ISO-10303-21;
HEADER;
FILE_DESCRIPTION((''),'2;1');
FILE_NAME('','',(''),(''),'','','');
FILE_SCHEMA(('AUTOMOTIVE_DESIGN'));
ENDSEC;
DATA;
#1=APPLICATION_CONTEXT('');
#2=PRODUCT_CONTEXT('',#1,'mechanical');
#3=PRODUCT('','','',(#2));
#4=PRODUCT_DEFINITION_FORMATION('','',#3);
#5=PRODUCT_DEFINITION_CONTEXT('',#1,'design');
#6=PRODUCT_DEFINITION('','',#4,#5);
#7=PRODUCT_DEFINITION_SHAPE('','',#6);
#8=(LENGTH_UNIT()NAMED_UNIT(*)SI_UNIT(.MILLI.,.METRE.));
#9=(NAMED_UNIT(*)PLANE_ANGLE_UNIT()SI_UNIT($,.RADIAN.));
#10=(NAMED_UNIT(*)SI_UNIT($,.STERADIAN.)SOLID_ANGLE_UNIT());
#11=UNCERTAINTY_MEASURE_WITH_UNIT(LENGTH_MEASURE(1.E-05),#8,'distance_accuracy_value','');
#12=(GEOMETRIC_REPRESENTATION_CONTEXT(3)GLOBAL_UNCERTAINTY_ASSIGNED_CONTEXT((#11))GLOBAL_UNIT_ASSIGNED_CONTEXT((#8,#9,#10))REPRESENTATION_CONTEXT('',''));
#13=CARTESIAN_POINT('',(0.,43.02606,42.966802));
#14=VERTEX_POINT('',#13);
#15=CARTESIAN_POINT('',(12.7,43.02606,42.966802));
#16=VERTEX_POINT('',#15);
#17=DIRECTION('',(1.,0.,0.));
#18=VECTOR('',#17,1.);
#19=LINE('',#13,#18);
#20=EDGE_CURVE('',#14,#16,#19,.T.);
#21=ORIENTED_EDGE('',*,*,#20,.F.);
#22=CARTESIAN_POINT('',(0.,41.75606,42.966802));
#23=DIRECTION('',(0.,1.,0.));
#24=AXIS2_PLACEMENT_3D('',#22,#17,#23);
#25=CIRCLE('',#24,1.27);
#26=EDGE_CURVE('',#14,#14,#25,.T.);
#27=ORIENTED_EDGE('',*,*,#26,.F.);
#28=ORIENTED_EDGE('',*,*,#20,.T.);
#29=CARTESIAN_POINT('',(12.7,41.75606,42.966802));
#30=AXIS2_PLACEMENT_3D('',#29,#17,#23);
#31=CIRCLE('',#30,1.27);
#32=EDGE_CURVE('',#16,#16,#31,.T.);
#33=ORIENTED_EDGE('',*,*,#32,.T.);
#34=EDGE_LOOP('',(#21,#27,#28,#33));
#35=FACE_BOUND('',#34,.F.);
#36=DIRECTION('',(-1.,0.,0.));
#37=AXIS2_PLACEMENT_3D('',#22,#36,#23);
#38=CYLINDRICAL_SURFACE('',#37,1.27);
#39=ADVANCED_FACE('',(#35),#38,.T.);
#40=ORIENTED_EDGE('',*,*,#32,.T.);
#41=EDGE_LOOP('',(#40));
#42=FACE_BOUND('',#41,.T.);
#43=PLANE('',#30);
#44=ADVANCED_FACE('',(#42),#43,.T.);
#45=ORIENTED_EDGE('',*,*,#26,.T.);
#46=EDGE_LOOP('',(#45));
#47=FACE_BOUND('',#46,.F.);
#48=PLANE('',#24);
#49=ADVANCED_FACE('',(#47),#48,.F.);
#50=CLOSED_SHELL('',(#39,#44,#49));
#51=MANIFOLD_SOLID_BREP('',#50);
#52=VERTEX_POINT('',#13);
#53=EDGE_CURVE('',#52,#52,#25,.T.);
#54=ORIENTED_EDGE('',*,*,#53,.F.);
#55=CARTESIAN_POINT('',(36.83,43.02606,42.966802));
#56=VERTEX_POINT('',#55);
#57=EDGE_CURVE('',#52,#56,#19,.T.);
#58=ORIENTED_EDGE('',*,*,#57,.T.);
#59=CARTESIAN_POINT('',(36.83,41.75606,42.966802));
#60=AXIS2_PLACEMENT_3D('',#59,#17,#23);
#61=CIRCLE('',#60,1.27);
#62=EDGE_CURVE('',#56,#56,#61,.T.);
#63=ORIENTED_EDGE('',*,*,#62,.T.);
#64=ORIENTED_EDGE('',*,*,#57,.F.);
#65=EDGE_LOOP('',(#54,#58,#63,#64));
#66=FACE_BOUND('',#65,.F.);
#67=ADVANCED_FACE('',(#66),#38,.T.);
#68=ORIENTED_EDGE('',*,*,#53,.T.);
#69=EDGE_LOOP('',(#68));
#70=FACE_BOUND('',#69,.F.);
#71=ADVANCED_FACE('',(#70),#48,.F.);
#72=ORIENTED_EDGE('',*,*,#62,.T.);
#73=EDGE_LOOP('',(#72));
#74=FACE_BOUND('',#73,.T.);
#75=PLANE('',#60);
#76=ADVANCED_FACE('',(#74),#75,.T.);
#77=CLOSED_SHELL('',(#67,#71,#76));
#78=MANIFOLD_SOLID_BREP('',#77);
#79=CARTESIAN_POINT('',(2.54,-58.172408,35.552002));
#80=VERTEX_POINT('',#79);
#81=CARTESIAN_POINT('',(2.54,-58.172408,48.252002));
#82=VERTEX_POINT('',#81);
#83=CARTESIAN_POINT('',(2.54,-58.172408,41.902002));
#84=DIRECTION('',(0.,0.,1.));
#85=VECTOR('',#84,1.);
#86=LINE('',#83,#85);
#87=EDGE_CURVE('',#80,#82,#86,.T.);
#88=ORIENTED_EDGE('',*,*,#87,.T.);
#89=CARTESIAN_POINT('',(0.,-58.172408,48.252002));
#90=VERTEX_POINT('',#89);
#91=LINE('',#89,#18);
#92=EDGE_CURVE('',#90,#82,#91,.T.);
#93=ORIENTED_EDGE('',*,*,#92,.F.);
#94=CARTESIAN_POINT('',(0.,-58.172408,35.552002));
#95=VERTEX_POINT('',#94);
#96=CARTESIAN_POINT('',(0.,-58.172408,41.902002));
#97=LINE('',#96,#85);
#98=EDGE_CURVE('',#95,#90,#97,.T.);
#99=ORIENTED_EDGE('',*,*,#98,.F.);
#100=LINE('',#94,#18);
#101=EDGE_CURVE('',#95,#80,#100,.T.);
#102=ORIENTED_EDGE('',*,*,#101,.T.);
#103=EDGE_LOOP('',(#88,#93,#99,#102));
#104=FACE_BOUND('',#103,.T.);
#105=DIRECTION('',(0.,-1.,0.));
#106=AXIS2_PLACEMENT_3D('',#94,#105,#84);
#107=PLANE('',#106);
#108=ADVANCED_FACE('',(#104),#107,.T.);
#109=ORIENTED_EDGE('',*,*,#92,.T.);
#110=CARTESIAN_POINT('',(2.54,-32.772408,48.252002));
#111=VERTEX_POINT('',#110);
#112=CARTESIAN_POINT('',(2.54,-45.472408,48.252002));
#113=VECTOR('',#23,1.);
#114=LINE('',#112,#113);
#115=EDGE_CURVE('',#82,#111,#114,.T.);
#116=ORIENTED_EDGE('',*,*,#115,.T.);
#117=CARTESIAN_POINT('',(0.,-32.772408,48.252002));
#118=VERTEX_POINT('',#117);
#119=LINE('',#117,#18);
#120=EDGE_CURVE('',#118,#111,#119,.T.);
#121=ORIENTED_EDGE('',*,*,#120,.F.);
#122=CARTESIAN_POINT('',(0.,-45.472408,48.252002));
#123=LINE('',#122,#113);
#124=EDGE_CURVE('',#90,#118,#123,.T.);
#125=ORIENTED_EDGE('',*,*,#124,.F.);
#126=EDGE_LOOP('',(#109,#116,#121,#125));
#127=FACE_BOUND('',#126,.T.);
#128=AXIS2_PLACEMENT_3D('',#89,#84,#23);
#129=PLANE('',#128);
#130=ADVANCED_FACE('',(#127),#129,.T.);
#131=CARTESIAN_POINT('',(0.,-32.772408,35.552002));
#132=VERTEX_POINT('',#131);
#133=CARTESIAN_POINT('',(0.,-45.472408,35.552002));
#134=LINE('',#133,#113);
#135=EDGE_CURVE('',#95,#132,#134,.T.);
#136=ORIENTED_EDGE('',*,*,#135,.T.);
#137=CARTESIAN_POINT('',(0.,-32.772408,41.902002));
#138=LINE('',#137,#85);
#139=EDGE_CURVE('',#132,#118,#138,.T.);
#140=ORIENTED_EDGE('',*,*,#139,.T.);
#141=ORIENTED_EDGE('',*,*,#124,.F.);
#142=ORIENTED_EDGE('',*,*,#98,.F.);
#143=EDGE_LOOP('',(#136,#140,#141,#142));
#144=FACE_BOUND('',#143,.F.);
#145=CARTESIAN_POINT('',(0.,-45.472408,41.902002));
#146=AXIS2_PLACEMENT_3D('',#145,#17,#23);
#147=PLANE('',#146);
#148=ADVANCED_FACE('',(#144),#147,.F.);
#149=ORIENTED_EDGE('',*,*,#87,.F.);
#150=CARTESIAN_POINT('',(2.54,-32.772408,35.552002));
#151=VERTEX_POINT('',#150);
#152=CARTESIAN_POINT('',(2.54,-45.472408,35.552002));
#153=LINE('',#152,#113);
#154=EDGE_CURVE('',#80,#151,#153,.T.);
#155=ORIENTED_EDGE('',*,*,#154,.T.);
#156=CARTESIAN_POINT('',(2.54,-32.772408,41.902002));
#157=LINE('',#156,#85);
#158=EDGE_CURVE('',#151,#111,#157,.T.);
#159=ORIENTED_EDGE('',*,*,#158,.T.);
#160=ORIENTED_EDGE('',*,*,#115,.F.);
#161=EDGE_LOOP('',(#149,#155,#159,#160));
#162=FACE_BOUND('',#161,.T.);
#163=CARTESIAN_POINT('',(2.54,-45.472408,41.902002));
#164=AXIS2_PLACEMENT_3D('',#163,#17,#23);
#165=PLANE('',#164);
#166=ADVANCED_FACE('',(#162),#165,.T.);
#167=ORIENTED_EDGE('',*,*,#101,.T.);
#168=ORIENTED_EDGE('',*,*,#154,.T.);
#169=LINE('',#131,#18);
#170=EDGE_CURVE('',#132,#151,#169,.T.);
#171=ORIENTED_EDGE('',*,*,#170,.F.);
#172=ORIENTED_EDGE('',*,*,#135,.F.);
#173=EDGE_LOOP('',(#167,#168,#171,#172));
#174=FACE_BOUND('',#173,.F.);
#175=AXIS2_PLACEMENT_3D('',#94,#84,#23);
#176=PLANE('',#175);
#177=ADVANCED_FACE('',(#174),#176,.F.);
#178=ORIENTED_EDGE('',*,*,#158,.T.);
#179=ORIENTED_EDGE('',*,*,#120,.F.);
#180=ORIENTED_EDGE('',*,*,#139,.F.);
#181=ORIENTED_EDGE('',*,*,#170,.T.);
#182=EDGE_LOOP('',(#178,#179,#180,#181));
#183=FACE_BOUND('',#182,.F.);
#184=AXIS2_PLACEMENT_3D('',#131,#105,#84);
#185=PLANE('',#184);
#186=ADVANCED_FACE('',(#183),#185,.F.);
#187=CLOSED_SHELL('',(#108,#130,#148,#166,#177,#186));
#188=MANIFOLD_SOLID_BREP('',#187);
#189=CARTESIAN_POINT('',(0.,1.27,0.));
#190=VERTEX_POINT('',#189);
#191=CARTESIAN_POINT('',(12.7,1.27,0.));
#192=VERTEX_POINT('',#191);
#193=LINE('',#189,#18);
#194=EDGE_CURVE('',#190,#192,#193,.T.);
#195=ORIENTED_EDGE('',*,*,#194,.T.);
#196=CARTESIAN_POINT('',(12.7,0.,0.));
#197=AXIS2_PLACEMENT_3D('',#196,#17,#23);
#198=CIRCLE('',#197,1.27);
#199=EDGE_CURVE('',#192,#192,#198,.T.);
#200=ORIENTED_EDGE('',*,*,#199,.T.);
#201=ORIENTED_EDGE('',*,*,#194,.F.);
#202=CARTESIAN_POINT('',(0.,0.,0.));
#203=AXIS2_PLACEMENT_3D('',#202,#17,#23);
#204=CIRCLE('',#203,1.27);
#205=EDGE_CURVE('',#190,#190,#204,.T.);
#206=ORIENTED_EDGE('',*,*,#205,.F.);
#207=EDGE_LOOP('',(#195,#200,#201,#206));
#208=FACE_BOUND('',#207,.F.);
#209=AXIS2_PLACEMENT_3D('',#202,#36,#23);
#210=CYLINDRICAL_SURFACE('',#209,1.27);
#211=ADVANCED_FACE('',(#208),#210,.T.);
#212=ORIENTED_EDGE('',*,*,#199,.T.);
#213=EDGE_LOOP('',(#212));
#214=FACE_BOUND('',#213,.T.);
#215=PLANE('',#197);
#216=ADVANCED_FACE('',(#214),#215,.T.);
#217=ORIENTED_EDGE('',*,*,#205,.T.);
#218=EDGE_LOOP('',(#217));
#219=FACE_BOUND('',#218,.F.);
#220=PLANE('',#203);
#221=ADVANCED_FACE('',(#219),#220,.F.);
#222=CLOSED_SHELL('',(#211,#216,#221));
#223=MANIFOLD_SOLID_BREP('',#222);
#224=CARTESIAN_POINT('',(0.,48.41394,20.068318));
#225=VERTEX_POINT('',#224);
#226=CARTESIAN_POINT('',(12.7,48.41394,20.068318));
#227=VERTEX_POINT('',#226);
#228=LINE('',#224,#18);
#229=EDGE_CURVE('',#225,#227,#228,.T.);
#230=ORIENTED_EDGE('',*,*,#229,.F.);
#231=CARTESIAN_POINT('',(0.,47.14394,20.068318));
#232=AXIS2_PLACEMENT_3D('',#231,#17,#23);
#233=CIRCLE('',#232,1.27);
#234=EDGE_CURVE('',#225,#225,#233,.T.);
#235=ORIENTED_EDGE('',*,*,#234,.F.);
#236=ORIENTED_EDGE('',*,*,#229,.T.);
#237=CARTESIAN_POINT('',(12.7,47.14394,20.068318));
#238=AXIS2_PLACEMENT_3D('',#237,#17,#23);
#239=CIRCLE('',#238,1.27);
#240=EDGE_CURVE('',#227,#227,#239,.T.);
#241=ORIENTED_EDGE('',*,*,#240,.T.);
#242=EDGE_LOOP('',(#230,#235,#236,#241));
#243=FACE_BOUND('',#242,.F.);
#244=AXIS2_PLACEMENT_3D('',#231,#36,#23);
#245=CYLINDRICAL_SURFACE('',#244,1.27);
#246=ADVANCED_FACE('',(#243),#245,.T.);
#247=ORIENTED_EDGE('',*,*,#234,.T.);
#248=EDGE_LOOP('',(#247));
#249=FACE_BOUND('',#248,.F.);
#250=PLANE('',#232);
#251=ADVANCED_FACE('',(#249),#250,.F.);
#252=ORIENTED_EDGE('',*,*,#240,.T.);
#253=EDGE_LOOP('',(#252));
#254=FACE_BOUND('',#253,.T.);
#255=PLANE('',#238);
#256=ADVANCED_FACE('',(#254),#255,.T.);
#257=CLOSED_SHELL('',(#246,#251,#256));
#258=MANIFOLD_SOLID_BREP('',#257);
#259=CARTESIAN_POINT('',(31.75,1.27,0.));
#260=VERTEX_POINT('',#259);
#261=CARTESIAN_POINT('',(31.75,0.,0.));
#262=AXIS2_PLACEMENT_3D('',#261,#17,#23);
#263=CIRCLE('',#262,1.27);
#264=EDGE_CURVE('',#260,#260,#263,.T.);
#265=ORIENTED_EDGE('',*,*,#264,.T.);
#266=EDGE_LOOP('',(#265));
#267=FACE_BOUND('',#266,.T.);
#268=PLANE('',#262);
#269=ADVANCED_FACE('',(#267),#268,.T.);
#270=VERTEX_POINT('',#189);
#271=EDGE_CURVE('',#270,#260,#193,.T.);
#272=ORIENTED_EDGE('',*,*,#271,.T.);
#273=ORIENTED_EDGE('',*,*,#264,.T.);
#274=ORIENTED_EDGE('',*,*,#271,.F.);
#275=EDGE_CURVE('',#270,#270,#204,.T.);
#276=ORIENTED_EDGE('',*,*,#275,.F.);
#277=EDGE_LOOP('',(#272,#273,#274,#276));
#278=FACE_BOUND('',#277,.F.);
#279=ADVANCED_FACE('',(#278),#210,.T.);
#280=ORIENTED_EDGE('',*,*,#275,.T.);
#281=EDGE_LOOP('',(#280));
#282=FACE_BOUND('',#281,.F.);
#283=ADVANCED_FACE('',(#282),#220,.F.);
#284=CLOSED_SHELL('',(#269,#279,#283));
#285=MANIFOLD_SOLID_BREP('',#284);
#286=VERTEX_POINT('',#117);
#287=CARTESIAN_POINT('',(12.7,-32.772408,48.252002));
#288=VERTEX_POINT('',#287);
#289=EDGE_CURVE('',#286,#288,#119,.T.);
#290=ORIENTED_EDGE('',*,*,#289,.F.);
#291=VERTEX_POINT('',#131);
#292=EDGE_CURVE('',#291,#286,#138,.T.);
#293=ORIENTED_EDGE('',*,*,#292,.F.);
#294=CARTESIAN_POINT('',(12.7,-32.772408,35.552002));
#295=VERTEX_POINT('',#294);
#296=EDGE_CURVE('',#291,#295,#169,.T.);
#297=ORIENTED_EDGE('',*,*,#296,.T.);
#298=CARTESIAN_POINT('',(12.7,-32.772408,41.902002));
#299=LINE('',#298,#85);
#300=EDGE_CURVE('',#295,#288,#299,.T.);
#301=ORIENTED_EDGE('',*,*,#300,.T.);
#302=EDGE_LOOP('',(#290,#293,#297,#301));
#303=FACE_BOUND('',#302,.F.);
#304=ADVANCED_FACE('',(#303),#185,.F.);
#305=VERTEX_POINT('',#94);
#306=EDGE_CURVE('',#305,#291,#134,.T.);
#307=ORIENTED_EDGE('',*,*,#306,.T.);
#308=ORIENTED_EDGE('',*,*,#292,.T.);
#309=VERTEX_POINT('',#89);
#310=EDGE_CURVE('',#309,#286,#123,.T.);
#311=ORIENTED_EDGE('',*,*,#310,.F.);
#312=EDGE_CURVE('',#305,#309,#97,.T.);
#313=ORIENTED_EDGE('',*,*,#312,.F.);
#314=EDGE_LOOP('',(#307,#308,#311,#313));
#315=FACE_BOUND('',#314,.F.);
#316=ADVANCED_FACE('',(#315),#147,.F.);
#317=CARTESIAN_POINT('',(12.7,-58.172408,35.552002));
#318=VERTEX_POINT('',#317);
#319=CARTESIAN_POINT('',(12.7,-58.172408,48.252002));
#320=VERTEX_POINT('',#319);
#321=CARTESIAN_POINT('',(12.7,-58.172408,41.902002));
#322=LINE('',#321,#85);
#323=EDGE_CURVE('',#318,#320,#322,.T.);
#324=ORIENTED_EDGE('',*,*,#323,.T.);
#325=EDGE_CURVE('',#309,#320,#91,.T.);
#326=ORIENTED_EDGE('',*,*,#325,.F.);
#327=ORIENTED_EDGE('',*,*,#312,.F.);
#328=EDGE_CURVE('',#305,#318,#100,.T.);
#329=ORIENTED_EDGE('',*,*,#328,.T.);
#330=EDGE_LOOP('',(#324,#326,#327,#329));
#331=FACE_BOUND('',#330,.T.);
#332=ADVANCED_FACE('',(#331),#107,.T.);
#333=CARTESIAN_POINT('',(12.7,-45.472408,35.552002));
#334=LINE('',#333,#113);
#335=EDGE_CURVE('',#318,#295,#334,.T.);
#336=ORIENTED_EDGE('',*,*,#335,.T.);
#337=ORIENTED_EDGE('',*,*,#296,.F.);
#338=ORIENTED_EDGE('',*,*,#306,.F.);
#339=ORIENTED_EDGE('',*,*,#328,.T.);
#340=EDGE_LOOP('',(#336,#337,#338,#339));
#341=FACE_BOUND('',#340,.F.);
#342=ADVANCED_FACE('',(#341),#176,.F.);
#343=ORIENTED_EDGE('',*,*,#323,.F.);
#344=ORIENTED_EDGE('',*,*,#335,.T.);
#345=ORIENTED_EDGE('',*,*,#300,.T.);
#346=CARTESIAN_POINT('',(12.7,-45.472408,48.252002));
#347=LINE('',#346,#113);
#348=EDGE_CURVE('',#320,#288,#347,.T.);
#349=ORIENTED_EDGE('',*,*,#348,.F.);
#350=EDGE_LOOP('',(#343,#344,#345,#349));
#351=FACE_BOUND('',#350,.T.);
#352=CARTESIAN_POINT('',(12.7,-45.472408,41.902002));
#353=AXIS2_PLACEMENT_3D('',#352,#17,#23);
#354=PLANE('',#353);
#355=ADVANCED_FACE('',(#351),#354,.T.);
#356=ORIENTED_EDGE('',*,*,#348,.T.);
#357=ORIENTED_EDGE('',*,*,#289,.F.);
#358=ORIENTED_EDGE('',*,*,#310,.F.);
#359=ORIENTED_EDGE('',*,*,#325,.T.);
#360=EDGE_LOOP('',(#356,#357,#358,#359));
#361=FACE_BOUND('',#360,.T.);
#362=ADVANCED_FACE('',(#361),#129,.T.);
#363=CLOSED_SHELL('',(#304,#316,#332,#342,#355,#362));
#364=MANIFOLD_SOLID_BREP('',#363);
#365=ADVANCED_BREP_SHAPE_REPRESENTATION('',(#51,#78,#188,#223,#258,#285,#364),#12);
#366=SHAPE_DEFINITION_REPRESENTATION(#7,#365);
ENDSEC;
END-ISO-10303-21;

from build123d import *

# Parameters (mm, degrees)
F0_R     = 1.27
F1_DEPTH = 31.75
F2_DEPTH = 36.83
F0_W     = 25.4
F0_H     = 12.7
F3_DEPTH = 2.54
F4_DEPTH = 12.7


with BuildPart() as f1:
    # F0 (on Right) → F1 (new body)
    with BuildSketch(Plane.YZ):
        Circle(F0_R)
    extrude(amount=F1_DEPTH)


with BuildPart() as f2:
    # F0 (on Right) → F2 (new body)
    with BuildSketch(Plane.YZ):
        with Locations((41.75606, 42.966802)):
            Circle(F0_R)
    extrude(amount=F2_DEPTH)


with BuildPart() as f3:
    # F0 (on Right) → F3 (new body)
    with BuildSketch(Plane.YZ):
        with Locations((-45.472408, 41.902002)):
            Rectangle(F0_W, F0_H)
    extrude(amount=F3_DEPTH)


with BuildPart() as f4:
    # F0 (on Right) → F4 (new body)
    with BuildSketch(Plane.YZ):
        Circle(F0_R)
        with Locations((41.75606, 42.966802)):
            Circle(F0_R)
        with Locations((-45.472408, 41.902002)):
            Rectangle(F0_W, F0_H)
        with Locations((47.14394, 20.068318)):
            Circle(F0_R)
    extrude(amount=F4_DEPTH)


solid = Compound([f1.part, f2.part, f3.part, f4.part])
